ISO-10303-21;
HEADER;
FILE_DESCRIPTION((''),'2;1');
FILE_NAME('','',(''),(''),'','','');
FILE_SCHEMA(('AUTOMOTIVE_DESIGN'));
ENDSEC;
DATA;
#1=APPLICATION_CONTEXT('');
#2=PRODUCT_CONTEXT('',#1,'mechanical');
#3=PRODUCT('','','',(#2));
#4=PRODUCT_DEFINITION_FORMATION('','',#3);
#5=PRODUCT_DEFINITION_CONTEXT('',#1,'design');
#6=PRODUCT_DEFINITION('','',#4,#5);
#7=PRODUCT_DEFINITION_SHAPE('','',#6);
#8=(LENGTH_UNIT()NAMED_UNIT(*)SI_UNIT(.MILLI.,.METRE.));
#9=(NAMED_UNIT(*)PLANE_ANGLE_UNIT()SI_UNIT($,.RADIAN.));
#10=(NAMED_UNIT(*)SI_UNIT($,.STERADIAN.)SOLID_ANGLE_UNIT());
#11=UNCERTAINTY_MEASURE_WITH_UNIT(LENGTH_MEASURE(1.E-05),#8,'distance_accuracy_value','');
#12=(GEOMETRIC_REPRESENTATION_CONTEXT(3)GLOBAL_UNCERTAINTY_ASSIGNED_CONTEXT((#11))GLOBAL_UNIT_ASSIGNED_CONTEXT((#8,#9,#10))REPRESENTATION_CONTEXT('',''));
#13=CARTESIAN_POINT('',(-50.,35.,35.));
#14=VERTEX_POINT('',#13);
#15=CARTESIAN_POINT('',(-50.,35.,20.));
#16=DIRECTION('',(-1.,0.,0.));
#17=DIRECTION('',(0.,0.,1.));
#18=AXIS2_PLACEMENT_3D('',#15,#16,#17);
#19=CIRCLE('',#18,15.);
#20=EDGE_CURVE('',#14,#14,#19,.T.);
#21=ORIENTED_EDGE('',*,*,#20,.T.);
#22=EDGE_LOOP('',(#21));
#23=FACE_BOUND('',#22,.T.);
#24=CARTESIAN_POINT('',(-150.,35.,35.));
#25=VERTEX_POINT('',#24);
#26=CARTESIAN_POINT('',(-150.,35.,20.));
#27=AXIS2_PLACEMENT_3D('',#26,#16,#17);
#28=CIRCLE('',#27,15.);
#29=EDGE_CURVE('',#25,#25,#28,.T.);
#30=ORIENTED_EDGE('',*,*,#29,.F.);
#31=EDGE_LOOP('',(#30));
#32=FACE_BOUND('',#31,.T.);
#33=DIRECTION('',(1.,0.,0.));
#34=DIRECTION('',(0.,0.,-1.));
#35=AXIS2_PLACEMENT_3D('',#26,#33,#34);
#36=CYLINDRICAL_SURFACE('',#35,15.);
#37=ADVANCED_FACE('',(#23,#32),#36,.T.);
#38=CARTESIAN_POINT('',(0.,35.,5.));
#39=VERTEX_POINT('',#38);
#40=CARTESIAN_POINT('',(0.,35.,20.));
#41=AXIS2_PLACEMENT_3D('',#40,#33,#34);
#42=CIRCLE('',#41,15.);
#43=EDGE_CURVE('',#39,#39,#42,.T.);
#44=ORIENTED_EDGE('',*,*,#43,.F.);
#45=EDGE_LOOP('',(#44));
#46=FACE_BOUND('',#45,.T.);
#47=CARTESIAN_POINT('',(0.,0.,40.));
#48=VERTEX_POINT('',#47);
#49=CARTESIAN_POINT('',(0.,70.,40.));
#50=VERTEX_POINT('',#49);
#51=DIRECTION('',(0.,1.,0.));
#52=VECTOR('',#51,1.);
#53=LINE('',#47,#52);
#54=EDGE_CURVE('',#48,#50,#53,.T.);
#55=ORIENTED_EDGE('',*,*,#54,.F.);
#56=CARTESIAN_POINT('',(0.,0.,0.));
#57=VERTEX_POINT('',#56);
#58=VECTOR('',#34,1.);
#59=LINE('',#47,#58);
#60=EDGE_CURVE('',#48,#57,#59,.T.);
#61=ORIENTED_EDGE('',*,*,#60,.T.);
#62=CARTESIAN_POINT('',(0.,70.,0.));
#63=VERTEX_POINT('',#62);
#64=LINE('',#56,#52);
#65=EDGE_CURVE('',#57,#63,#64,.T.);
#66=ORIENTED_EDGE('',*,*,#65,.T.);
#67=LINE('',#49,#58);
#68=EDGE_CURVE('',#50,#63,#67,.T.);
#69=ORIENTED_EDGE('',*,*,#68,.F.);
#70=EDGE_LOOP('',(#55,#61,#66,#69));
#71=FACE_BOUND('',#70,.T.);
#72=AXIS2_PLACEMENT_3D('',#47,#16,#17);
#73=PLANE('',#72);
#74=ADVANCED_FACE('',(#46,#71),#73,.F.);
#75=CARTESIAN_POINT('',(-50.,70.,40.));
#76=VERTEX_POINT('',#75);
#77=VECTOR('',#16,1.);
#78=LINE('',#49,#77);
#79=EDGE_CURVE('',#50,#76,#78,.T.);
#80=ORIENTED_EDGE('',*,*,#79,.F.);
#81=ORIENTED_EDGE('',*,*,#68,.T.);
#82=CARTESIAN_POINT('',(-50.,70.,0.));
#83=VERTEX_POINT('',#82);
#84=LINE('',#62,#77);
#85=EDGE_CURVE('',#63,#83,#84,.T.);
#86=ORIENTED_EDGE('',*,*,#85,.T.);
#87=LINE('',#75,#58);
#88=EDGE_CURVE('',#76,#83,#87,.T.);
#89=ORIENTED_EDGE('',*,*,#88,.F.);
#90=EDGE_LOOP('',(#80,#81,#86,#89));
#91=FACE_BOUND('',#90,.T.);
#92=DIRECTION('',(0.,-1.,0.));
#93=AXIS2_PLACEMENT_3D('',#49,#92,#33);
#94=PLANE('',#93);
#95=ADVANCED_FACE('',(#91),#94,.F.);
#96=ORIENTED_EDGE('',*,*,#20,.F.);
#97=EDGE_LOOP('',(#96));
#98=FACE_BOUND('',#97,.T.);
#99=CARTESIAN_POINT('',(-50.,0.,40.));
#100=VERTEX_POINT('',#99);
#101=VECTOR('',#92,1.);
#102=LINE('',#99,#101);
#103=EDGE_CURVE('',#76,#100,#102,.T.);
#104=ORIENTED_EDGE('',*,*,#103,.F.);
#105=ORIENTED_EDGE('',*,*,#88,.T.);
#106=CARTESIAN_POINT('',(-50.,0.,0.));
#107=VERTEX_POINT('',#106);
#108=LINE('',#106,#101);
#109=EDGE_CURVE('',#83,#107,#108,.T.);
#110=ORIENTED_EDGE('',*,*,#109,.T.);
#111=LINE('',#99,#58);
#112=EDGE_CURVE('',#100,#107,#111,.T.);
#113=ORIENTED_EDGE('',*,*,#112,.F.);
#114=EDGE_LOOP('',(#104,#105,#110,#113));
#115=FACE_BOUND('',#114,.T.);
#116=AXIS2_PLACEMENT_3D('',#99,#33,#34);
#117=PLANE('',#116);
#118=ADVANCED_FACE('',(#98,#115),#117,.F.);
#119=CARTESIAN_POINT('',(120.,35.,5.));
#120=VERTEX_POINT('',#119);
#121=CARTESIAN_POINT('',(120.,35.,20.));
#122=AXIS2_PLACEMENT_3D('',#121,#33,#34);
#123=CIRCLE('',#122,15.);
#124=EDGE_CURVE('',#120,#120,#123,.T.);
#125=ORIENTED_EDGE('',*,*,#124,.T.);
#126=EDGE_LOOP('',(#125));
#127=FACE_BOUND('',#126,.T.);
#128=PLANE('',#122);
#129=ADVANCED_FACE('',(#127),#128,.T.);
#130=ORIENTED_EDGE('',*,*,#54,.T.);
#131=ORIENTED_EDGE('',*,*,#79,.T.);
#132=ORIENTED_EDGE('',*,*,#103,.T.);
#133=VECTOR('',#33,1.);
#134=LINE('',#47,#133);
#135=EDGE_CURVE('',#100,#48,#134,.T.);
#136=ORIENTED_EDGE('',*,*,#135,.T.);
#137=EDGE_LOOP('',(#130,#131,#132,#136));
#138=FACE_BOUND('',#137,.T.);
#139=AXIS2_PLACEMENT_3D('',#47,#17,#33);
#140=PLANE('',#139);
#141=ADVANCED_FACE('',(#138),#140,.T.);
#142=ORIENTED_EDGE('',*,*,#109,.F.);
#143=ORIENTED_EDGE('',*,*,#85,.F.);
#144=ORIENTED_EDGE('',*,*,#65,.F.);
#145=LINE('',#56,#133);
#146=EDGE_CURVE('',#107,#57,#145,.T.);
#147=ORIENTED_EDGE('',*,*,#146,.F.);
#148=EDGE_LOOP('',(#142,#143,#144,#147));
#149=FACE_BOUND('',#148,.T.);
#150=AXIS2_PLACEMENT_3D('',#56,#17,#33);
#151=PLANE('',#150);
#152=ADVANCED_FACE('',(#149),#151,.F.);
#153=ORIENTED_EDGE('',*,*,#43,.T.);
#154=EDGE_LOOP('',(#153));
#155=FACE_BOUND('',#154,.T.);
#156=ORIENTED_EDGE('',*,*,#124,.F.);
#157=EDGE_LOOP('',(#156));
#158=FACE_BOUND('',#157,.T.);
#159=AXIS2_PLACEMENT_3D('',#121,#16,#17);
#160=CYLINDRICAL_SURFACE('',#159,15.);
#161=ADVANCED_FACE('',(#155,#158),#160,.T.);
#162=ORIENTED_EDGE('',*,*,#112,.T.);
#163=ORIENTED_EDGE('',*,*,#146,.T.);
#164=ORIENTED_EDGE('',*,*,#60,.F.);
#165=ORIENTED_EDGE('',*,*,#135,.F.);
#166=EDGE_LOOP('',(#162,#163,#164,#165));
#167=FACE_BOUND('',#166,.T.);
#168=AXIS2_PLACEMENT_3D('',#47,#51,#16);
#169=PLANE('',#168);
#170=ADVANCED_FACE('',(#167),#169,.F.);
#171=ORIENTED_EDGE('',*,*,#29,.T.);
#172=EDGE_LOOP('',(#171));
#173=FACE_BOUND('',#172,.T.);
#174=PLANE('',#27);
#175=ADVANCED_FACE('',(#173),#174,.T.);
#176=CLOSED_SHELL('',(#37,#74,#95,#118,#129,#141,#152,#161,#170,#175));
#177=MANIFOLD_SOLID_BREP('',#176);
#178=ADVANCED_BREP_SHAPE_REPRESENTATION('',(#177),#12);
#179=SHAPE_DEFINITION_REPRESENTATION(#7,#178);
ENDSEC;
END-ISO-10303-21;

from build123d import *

# Parameters (mm, degrees)
SKETCH1_W           = 50
SKETCH1_H           = 70
BOSS_EXTRUDE1_DEPTH = 40
SKETCH3_R           = 15
BOSS_EXTRUDE3_DEPTH = 100
BOSS_EXTRUDE4_START = 120
SKETCH4_R           = 15
BOSS_EXTRUDE4_DEPTH = 120


with BuildPart() as part:
    # Sketch1 → Boss-Extrude1 (new body)
    with BuildSketch(Plane.XY):
        with Locations((-25, 35)):
            Rectangle(SKETCH1_W, SKETCH1_H)
    extrude(amount=BOSS_EXTRUDE1_DEPTH)

    # Sketch3 → Boss-Extrude3 (add)
    with BuildSketch(Plane.ZY.offset(50)):
        with Locations((20, 35)):
            Circle(SKETCH3_R)
    extrude(amount=BOSS_EXTRUDE3_DEPTH)

    # Sketch4 → Boss-Extrude4 (add)
    with BuildSketch(Plane(origin=(0, 0, 0), x_dir=(0, 0, -1), z_dir=(1, 0, 0)).offset(BOSS_EXTRUDE4_START)):
        with Locations(Location((-20, 35, 0), (0, 0, 180))):
            Circle(SKETCH4_R)
    extrude(amount=-BOSS_EXTRUDE4_DEPTH)


solid = part.part
